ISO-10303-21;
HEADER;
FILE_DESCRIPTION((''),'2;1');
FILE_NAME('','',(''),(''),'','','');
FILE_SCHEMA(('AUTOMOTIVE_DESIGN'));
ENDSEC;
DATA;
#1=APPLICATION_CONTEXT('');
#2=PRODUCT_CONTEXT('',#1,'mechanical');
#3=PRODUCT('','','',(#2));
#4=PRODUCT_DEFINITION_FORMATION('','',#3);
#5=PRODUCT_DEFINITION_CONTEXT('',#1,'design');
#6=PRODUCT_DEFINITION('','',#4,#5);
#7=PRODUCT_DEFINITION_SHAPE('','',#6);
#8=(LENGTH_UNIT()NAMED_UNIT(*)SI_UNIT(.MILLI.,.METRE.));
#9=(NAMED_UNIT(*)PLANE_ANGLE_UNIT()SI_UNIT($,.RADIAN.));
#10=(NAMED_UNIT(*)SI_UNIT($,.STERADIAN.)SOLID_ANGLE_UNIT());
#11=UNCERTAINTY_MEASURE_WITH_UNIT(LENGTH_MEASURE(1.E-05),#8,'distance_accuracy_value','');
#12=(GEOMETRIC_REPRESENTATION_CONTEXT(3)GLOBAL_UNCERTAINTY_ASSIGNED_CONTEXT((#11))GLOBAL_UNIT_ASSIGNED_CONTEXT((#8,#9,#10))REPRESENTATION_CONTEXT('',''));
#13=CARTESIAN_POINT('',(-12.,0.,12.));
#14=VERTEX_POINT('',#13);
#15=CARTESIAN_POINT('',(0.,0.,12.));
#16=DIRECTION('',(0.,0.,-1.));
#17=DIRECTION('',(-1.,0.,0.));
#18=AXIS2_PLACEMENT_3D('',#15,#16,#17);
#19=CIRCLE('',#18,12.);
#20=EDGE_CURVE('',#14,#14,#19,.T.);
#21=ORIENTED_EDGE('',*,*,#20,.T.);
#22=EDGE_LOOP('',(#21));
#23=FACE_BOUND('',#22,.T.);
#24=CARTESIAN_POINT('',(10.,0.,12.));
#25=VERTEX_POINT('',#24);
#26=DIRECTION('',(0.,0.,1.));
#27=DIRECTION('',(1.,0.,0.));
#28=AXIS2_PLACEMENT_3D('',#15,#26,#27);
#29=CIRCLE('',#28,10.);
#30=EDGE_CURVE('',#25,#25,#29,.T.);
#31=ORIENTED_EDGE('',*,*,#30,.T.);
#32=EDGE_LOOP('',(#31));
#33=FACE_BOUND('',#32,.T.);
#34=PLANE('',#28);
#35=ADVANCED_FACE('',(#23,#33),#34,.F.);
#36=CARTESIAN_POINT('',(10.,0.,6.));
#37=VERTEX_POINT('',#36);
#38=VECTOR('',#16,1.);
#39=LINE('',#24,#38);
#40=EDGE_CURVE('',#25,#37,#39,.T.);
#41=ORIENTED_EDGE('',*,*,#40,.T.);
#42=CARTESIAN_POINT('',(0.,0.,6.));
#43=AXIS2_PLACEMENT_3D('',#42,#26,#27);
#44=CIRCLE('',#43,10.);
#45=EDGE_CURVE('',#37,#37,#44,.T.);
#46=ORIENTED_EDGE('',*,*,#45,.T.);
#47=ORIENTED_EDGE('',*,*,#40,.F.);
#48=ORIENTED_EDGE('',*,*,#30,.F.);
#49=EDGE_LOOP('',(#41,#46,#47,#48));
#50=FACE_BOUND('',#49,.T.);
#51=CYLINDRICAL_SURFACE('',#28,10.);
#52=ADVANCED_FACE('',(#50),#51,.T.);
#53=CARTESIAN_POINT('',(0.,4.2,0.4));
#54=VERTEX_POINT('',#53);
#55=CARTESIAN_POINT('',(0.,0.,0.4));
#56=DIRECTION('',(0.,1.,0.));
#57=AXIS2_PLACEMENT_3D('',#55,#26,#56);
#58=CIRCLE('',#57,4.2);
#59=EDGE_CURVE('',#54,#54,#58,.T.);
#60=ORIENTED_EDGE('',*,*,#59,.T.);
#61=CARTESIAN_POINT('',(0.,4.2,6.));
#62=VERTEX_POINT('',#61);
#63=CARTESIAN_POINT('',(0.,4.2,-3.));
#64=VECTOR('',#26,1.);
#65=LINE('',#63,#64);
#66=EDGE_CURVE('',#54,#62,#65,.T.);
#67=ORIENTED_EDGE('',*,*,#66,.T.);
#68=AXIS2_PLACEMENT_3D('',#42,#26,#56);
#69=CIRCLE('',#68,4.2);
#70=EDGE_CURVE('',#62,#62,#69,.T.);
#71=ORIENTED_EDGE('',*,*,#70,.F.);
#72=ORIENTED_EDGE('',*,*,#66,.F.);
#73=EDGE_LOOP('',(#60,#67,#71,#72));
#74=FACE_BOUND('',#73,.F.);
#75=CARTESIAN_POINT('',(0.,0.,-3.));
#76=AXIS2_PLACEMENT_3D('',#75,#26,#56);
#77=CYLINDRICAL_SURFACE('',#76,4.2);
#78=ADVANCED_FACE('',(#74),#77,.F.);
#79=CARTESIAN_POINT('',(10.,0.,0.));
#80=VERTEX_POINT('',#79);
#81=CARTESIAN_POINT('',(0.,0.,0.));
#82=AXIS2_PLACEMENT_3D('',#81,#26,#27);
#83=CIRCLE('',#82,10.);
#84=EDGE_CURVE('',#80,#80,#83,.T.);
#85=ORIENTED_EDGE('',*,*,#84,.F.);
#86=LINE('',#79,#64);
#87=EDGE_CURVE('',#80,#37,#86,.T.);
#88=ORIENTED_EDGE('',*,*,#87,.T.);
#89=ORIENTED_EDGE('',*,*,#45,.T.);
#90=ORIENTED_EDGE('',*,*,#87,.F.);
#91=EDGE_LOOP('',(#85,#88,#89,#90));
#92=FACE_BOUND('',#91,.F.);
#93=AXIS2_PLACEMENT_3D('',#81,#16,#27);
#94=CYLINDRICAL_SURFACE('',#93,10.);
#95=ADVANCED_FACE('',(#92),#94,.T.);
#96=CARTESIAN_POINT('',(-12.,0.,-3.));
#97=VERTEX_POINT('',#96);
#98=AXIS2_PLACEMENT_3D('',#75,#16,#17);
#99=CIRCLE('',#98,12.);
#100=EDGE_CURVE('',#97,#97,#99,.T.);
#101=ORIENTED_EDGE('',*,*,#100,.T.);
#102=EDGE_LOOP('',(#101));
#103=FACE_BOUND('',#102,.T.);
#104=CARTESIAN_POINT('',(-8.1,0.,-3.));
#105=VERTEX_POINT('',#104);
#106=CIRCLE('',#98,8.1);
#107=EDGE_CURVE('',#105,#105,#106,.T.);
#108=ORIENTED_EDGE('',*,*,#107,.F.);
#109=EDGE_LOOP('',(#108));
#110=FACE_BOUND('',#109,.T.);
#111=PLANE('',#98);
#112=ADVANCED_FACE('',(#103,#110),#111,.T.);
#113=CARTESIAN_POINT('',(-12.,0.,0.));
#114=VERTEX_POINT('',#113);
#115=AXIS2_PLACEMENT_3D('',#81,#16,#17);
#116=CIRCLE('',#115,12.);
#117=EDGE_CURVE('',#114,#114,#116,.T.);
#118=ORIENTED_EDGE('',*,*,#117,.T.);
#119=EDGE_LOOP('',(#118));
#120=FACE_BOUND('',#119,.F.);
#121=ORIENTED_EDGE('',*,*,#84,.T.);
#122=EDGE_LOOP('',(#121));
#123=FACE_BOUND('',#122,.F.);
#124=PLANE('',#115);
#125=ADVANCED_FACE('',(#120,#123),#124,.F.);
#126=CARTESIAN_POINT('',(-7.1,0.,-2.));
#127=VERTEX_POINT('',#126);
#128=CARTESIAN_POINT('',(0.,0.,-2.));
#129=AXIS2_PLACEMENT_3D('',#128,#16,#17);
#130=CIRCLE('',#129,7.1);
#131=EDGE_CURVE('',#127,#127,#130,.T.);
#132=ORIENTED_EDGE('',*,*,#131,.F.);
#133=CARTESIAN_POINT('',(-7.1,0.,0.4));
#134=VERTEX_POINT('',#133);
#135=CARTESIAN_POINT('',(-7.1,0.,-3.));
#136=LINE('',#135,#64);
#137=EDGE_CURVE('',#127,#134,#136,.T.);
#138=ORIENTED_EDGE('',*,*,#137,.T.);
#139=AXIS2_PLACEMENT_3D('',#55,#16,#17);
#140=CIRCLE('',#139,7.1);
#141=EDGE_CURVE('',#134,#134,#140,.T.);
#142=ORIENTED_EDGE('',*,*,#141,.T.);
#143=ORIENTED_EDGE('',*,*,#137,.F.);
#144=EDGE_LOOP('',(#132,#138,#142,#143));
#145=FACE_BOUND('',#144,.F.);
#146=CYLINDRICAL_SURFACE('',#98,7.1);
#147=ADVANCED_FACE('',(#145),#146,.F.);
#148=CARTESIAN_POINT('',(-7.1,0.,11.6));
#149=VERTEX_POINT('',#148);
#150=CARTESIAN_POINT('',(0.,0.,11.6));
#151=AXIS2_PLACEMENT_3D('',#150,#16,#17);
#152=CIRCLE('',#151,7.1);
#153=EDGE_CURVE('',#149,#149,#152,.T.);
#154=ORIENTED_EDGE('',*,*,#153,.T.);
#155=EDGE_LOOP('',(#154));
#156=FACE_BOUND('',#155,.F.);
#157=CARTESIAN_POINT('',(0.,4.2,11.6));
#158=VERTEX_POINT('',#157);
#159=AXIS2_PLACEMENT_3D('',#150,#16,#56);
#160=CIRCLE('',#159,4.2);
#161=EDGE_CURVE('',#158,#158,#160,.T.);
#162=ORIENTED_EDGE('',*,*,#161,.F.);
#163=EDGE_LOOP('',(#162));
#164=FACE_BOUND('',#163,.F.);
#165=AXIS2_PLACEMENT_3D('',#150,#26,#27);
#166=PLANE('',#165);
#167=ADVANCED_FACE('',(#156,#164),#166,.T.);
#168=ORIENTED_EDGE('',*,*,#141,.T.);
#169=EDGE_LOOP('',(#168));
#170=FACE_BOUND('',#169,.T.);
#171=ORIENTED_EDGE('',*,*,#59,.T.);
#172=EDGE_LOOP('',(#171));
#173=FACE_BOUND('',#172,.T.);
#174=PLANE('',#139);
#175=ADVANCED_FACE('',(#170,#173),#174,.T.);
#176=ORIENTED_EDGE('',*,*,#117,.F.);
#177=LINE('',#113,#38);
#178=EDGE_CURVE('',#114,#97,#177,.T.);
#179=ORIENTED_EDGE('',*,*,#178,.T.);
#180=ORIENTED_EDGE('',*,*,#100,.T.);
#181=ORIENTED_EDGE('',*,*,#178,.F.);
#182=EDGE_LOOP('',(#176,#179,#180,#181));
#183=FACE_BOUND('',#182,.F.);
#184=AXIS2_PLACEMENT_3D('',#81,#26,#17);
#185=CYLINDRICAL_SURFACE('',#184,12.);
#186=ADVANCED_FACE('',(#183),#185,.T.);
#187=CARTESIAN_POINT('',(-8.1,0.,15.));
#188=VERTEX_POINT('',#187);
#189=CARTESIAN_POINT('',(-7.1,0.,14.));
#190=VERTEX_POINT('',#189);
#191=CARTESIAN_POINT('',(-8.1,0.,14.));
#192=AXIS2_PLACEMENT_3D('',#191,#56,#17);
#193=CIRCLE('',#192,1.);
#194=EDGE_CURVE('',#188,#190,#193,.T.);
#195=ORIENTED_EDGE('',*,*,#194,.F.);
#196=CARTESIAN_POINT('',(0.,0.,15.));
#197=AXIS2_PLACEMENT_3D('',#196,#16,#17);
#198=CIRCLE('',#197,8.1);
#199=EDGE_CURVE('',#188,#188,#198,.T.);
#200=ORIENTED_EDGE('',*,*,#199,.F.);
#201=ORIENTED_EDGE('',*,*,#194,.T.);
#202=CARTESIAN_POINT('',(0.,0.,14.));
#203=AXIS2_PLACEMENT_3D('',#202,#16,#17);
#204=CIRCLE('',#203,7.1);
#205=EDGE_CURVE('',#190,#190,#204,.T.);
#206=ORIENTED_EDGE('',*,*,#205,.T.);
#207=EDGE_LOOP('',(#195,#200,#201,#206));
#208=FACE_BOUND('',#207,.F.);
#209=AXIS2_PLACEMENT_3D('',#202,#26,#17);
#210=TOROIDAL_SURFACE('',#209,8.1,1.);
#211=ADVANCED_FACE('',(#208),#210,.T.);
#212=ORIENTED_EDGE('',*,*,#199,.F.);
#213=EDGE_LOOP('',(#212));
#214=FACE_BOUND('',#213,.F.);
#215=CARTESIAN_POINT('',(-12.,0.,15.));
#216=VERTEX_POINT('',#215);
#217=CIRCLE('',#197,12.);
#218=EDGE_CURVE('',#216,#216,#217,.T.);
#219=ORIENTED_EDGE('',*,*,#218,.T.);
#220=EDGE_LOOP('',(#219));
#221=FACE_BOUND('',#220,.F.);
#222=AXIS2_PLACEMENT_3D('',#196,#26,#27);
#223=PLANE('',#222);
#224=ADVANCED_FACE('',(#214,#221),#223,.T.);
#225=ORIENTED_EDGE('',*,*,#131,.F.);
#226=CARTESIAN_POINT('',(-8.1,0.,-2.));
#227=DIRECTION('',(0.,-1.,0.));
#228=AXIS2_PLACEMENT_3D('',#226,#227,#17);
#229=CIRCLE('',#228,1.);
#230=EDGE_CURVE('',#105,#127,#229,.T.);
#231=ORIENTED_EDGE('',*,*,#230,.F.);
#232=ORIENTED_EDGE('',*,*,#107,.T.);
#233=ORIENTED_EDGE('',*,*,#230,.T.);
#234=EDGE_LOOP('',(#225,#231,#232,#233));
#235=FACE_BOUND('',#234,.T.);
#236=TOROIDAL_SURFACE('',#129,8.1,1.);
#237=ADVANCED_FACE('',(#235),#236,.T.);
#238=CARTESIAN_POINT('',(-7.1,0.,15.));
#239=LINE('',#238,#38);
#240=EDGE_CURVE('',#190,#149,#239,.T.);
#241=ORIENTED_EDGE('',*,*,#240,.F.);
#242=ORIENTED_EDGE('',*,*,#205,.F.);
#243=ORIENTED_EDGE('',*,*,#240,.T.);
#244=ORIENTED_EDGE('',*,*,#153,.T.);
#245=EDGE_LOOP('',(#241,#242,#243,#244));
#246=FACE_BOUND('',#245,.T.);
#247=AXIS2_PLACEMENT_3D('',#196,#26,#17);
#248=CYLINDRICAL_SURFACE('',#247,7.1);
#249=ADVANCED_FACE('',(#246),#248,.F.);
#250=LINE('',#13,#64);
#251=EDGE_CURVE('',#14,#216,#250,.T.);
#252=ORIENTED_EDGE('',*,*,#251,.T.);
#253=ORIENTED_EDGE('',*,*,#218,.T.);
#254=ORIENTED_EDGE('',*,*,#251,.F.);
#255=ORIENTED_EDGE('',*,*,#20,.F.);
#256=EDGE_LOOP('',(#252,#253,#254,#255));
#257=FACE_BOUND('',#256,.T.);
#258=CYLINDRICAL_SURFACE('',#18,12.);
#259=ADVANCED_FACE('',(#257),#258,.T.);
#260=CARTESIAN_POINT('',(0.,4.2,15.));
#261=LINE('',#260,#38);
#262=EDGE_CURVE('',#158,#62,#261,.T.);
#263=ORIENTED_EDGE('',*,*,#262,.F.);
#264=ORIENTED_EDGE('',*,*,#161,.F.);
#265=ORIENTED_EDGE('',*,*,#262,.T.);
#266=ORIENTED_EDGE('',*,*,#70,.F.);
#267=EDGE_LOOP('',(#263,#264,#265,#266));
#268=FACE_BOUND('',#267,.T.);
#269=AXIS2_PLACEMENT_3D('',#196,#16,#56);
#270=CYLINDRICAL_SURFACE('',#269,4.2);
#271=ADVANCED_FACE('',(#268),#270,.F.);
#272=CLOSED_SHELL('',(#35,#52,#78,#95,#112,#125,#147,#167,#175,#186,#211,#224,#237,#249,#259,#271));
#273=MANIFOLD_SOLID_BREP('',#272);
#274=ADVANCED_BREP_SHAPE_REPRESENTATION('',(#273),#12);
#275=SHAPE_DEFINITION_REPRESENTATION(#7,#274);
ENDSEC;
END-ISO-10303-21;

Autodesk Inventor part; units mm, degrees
ref_plane "YZ Plane" through (0, 0, 0) normal (1, 0, 0) x (0, 1, 0)
ref_plane "XZ Plane" through (0, 0, 0) normal (0, 1, 0) x (-1, 0, 0)
ref_plane "XY Plane" through (0, 0, 0) normal (0, 0, 1) x (1, 0, 0)
sketch "スケッチ1" plane through (0, 0, 0) normal (0, 0, 1) x (1, 0, 0)
  circle A0 centre (0, 0) radius 10
  dimension "d0" = 20
extrude "押し出し1" add sketch "スケッチ1" along normal blind 6
sketch "スケッチ2" plane through (0, 0, 0) normal (0, 0, -1) x (-1, 0, 0)
  circle A0 centre (0, 0) radius 12
  circle A1 centre (0, 0) radius 10 projected
  dimension "d17" = 2
extrude "押し出し2" add sketch "スケッチ2" along normal blind 3 contours A0 | A1
sketch "スケッチ3" plane through (0, 0, -3) normal (0, 0, -1) x (-1, 0, 0)
  circle A0 centre (0, 0) radius 8
  dimension "d6" = 16
hole "穴1" at (0, 0, -3) direction (0, 0, 1) diameter 8.4 end through all
sketch "スケッチ4" plane through (0, 0, -3) normal (0, 0, -1) x (-1, 0, 0)
  circle A0 centre (0, 0) radius 7.1
  dimension "d14" = 14.2
extrude "押し出し3" cut sketch "スケッチ4" against normal blind 3.4
mirror "ミラー1" about plane through (0, 0, 6) normal (0, 0, 1) of "押し出し1", "押し出し2", "穴1", "押し出し3"
fillet "フィレット1" radius 1 2 edges at (7.1, 0, 15) (7.1, 0, -3)
properties part number "link1part5"
